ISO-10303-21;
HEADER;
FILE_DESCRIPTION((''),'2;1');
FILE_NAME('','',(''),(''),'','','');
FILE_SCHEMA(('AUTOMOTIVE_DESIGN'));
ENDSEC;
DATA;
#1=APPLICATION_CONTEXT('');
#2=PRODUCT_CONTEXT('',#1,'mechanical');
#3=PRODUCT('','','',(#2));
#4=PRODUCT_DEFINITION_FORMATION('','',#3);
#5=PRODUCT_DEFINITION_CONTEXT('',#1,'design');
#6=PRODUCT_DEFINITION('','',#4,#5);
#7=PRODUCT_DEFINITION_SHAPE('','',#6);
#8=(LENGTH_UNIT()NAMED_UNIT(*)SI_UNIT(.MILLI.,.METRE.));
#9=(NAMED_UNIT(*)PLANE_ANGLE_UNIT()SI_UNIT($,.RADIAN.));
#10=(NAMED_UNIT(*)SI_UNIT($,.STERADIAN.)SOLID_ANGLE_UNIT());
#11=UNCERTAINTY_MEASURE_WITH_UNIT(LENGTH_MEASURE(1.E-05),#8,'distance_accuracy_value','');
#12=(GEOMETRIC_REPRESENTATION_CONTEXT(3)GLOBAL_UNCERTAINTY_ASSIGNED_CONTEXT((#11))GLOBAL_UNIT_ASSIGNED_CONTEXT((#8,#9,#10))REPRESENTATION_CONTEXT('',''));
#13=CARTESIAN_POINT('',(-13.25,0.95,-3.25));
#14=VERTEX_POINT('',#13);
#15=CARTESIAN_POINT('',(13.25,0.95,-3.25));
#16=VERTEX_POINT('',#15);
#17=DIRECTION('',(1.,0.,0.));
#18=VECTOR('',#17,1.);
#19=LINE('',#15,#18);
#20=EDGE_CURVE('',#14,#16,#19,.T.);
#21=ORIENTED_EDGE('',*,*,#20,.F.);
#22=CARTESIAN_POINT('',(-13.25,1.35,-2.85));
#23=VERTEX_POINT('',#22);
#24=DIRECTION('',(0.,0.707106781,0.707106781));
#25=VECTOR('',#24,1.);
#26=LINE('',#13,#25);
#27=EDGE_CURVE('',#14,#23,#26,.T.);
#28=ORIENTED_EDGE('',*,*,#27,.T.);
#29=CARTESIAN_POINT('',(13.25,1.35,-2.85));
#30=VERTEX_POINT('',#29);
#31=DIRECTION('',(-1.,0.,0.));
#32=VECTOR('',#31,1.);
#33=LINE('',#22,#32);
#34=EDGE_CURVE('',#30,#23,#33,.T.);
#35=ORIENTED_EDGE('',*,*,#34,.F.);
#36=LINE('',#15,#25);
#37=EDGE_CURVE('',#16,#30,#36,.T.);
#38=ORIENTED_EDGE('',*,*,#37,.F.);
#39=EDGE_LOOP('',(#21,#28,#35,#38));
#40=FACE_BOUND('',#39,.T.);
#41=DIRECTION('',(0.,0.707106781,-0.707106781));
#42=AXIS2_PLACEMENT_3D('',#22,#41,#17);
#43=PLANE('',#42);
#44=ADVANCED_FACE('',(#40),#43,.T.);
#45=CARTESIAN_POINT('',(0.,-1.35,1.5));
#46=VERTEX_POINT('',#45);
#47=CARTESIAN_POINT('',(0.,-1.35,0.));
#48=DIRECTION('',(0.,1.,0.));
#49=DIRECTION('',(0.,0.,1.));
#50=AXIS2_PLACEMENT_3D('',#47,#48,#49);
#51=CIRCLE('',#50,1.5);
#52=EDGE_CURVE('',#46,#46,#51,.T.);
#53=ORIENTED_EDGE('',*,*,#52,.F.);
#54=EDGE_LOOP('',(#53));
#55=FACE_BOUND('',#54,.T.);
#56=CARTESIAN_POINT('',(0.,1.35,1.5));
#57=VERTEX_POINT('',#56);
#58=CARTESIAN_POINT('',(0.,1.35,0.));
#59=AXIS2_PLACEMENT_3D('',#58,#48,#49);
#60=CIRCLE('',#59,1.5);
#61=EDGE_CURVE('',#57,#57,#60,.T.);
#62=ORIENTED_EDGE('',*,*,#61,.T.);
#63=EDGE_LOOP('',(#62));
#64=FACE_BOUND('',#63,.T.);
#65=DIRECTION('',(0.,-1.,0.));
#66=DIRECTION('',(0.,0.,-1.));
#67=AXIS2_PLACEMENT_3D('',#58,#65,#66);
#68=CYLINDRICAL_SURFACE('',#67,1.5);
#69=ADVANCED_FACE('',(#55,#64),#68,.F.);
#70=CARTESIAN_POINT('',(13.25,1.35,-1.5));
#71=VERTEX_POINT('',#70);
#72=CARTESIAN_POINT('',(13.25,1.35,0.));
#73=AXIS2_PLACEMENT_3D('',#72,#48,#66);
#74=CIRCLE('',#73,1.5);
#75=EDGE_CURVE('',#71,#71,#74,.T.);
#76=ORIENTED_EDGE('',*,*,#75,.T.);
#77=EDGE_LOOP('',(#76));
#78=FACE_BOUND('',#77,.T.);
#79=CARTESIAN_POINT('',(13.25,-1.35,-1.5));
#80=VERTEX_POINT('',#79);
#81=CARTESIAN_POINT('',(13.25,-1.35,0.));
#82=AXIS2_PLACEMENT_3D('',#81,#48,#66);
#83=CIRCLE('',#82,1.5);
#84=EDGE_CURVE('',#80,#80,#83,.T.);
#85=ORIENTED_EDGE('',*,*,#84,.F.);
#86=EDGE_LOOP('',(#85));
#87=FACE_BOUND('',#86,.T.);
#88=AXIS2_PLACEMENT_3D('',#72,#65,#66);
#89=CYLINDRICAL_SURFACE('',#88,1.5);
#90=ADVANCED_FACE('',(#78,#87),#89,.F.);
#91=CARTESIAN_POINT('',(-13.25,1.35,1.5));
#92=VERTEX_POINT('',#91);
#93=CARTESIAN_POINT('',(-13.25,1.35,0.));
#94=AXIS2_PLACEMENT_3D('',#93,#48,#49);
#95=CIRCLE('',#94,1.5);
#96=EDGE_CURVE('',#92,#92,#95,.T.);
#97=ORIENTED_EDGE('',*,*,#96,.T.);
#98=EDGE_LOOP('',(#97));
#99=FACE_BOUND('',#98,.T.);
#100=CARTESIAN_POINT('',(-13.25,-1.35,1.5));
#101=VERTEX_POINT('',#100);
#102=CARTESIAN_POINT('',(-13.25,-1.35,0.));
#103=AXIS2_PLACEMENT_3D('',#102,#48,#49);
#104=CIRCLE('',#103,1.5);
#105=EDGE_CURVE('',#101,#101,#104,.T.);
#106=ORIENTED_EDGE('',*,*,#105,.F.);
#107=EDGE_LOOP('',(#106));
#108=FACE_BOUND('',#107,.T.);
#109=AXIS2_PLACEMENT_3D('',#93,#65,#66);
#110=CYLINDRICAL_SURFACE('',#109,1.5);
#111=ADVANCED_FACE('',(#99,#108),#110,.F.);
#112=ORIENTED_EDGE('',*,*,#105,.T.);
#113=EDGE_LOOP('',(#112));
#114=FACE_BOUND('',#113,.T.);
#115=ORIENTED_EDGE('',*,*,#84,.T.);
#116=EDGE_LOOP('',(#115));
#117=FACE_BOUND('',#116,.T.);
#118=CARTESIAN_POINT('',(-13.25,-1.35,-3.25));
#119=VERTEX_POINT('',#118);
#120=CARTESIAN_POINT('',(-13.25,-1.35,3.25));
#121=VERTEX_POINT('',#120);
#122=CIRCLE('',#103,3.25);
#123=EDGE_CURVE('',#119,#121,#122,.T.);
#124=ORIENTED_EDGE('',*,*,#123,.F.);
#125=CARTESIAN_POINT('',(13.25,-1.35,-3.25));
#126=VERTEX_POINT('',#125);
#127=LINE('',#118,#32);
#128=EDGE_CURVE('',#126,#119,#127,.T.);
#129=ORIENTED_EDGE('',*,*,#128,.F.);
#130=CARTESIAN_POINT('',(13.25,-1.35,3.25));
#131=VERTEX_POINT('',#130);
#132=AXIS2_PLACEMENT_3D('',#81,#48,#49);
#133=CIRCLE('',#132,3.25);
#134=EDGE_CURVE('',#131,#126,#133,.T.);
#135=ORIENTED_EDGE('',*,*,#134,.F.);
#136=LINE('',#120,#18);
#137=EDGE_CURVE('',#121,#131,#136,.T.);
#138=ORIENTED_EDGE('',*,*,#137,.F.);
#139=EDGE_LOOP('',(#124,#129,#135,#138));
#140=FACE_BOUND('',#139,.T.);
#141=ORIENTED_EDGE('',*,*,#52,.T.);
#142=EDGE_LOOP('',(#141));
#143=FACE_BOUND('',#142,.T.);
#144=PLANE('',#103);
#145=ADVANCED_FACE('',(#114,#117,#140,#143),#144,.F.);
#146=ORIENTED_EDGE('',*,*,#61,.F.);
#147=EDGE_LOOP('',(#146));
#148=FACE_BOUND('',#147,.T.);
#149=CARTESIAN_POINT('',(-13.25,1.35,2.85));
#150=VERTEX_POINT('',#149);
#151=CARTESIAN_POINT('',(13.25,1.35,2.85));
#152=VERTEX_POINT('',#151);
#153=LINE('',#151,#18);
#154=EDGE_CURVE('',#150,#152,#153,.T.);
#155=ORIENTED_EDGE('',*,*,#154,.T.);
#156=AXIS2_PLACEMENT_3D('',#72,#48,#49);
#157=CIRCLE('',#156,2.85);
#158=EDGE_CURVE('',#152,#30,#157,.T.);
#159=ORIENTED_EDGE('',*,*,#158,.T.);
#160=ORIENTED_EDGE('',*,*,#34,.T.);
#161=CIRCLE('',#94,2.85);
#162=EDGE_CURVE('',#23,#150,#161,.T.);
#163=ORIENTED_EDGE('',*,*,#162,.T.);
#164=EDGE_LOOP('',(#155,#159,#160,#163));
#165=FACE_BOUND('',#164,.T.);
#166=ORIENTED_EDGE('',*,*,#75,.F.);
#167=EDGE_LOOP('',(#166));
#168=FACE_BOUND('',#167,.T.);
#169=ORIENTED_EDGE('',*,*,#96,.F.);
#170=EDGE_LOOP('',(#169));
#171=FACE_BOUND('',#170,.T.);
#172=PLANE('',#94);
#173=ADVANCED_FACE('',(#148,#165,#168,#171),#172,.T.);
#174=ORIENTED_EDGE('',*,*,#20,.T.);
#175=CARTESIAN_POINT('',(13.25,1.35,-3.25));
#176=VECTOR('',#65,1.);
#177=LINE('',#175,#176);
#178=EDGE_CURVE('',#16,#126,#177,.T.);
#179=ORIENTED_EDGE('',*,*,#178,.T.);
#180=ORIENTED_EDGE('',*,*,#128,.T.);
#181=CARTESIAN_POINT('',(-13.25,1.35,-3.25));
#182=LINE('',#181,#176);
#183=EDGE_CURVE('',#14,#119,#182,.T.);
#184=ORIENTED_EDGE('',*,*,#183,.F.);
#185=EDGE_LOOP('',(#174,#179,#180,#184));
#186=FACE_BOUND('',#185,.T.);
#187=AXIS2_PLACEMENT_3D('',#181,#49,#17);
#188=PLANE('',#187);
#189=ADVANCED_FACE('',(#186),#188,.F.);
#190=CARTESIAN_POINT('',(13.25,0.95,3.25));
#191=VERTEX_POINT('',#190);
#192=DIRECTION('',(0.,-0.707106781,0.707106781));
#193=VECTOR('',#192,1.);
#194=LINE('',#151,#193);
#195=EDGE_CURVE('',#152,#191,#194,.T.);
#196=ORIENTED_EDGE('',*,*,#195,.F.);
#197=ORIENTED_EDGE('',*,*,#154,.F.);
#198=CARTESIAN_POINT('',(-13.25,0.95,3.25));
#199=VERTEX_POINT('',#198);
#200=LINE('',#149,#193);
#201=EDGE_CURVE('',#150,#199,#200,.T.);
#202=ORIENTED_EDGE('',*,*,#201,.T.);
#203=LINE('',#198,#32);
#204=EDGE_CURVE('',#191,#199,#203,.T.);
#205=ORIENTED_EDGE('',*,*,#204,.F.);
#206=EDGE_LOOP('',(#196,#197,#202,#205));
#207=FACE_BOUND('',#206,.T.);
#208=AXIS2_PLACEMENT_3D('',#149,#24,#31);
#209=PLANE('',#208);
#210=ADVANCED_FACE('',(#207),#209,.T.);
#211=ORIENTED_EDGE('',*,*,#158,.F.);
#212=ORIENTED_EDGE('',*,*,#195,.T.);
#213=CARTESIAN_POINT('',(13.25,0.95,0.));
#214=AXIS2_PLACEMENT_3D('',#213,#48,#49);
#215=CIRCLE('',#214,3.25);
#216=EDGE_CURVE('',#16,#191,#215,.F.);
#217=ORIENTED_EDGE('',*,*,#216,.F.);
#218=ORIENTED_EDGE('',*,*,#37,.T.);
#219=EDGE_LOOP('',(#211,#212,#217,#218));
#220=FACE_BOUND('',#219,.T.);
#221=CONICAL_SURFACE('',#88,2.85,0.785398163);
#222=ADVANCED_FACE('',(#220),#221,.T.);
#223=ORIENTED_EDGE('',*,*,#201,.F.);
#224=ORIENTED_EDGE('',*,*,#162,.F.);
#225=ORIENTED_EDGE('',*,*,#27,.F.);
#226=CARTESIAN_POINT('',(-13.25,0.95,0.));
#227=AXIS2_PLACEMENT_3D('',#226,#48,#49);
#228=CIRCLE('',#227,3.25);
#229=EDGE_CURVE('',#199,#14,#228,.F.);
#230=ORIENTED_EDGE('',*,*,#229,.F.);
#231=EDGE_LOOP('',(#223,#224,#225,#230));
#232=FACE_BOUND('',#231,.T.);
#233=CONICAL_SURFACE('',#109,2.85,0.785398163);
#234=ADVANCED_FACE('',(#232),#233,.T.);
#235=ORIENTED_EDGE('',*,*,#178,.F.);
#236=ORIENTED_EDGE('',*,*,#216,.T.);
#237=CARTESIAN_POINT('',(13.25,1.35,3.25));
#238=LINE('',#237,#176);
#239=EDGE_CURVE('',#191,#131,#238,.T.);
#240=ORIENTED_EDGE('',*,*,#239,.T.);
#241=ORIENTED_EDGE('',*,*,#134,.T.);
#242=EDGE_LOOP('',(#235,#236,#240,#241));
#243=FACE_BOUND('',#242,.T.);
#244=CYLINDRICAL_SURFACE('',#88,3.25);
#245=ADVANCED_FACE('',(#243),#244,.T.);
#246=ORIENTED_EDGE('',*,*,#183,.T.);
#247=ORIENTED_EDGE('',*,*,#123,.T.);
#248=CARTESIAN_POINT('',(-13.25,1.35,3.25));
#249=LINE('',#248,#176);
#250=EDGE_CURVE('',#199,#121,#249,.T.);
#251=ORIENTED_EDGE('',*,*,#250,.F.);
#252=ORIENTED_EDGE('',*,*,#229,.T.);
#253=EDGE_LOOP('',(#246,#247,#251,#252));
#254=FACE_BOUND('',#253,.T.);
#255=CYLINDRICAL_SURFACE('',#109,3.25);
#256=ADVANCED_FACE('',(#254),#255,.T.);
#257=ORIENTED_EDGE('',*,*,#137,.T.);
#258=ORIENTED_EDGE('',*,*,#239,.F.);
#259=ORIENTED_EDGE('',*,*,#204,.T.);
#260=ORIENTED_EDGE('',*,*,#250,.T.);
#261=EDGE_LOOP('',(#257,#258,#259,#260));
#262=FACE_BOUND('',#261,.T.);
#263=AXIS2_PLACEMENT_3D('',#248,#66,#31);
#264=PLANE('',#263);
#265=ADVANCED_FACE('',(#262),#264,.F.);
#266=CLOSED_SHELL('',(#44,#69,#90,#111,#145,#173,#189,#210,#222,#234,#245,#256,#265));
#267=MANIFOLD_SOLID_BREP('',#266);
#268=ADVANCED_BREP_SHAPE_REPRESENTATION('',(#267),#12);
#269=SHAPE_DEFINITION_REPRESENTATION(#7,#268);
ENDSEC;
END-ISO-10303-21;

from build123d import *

# Parameters (mm, degrees)
SKETCH1_R           = 1.5
BOSS_EXTRUDE1_DEPTH = 1.35
CHAMFER1_SIZE       = 0.4


with BuildPart() as part:
    # Sketch1 → Boss-Extrude1 (new body, symmetric)
    with BuildSketch(Plane(origin=(0, 0, 0), x_dir=(1, 0, 0), z_dir=(0, 1, 0))):
        with BuildLine():
            Line((-13.25, 3.25), (13.25, 3.25))
            ThreePointArc((13.25, 3.25), (16.5, 0), (13.25, -3.25))
            Line((13.25, -3.25), (-13.25, -3.25))
            ThreePointArc((-13.25, -3.25), (-16.5, 0), (-13.25, 3.25))
        make_face()
        with Locations((-13.25, 0)):
            Circle(SKETCH1_R, mode=Mode.SUBTRACT)
        with Locations((13.25, 0)):
            Circle(SKETCH1_R, mode=Mode.SUBTRACT)
        Circle(SKETCH1_R, mode=Mode.SUBTRACT)
    extrude(amount=BOSS_EXTRUDE1_DEPTH, both=True)

    # Chamfer1
    chamfer1_edges = [part.edges().sort_by_distance(p)[0] for p in [
        (16.5, 1.35, 0),
        (0, 1.35, -3.25),
        (-16.5, 1.35, 0),
        (0, 1.35, 3.25),
    ]]
    chamfer(chamfer1_edges, length=CHAMFER1_SIZE)


solid = part.part
